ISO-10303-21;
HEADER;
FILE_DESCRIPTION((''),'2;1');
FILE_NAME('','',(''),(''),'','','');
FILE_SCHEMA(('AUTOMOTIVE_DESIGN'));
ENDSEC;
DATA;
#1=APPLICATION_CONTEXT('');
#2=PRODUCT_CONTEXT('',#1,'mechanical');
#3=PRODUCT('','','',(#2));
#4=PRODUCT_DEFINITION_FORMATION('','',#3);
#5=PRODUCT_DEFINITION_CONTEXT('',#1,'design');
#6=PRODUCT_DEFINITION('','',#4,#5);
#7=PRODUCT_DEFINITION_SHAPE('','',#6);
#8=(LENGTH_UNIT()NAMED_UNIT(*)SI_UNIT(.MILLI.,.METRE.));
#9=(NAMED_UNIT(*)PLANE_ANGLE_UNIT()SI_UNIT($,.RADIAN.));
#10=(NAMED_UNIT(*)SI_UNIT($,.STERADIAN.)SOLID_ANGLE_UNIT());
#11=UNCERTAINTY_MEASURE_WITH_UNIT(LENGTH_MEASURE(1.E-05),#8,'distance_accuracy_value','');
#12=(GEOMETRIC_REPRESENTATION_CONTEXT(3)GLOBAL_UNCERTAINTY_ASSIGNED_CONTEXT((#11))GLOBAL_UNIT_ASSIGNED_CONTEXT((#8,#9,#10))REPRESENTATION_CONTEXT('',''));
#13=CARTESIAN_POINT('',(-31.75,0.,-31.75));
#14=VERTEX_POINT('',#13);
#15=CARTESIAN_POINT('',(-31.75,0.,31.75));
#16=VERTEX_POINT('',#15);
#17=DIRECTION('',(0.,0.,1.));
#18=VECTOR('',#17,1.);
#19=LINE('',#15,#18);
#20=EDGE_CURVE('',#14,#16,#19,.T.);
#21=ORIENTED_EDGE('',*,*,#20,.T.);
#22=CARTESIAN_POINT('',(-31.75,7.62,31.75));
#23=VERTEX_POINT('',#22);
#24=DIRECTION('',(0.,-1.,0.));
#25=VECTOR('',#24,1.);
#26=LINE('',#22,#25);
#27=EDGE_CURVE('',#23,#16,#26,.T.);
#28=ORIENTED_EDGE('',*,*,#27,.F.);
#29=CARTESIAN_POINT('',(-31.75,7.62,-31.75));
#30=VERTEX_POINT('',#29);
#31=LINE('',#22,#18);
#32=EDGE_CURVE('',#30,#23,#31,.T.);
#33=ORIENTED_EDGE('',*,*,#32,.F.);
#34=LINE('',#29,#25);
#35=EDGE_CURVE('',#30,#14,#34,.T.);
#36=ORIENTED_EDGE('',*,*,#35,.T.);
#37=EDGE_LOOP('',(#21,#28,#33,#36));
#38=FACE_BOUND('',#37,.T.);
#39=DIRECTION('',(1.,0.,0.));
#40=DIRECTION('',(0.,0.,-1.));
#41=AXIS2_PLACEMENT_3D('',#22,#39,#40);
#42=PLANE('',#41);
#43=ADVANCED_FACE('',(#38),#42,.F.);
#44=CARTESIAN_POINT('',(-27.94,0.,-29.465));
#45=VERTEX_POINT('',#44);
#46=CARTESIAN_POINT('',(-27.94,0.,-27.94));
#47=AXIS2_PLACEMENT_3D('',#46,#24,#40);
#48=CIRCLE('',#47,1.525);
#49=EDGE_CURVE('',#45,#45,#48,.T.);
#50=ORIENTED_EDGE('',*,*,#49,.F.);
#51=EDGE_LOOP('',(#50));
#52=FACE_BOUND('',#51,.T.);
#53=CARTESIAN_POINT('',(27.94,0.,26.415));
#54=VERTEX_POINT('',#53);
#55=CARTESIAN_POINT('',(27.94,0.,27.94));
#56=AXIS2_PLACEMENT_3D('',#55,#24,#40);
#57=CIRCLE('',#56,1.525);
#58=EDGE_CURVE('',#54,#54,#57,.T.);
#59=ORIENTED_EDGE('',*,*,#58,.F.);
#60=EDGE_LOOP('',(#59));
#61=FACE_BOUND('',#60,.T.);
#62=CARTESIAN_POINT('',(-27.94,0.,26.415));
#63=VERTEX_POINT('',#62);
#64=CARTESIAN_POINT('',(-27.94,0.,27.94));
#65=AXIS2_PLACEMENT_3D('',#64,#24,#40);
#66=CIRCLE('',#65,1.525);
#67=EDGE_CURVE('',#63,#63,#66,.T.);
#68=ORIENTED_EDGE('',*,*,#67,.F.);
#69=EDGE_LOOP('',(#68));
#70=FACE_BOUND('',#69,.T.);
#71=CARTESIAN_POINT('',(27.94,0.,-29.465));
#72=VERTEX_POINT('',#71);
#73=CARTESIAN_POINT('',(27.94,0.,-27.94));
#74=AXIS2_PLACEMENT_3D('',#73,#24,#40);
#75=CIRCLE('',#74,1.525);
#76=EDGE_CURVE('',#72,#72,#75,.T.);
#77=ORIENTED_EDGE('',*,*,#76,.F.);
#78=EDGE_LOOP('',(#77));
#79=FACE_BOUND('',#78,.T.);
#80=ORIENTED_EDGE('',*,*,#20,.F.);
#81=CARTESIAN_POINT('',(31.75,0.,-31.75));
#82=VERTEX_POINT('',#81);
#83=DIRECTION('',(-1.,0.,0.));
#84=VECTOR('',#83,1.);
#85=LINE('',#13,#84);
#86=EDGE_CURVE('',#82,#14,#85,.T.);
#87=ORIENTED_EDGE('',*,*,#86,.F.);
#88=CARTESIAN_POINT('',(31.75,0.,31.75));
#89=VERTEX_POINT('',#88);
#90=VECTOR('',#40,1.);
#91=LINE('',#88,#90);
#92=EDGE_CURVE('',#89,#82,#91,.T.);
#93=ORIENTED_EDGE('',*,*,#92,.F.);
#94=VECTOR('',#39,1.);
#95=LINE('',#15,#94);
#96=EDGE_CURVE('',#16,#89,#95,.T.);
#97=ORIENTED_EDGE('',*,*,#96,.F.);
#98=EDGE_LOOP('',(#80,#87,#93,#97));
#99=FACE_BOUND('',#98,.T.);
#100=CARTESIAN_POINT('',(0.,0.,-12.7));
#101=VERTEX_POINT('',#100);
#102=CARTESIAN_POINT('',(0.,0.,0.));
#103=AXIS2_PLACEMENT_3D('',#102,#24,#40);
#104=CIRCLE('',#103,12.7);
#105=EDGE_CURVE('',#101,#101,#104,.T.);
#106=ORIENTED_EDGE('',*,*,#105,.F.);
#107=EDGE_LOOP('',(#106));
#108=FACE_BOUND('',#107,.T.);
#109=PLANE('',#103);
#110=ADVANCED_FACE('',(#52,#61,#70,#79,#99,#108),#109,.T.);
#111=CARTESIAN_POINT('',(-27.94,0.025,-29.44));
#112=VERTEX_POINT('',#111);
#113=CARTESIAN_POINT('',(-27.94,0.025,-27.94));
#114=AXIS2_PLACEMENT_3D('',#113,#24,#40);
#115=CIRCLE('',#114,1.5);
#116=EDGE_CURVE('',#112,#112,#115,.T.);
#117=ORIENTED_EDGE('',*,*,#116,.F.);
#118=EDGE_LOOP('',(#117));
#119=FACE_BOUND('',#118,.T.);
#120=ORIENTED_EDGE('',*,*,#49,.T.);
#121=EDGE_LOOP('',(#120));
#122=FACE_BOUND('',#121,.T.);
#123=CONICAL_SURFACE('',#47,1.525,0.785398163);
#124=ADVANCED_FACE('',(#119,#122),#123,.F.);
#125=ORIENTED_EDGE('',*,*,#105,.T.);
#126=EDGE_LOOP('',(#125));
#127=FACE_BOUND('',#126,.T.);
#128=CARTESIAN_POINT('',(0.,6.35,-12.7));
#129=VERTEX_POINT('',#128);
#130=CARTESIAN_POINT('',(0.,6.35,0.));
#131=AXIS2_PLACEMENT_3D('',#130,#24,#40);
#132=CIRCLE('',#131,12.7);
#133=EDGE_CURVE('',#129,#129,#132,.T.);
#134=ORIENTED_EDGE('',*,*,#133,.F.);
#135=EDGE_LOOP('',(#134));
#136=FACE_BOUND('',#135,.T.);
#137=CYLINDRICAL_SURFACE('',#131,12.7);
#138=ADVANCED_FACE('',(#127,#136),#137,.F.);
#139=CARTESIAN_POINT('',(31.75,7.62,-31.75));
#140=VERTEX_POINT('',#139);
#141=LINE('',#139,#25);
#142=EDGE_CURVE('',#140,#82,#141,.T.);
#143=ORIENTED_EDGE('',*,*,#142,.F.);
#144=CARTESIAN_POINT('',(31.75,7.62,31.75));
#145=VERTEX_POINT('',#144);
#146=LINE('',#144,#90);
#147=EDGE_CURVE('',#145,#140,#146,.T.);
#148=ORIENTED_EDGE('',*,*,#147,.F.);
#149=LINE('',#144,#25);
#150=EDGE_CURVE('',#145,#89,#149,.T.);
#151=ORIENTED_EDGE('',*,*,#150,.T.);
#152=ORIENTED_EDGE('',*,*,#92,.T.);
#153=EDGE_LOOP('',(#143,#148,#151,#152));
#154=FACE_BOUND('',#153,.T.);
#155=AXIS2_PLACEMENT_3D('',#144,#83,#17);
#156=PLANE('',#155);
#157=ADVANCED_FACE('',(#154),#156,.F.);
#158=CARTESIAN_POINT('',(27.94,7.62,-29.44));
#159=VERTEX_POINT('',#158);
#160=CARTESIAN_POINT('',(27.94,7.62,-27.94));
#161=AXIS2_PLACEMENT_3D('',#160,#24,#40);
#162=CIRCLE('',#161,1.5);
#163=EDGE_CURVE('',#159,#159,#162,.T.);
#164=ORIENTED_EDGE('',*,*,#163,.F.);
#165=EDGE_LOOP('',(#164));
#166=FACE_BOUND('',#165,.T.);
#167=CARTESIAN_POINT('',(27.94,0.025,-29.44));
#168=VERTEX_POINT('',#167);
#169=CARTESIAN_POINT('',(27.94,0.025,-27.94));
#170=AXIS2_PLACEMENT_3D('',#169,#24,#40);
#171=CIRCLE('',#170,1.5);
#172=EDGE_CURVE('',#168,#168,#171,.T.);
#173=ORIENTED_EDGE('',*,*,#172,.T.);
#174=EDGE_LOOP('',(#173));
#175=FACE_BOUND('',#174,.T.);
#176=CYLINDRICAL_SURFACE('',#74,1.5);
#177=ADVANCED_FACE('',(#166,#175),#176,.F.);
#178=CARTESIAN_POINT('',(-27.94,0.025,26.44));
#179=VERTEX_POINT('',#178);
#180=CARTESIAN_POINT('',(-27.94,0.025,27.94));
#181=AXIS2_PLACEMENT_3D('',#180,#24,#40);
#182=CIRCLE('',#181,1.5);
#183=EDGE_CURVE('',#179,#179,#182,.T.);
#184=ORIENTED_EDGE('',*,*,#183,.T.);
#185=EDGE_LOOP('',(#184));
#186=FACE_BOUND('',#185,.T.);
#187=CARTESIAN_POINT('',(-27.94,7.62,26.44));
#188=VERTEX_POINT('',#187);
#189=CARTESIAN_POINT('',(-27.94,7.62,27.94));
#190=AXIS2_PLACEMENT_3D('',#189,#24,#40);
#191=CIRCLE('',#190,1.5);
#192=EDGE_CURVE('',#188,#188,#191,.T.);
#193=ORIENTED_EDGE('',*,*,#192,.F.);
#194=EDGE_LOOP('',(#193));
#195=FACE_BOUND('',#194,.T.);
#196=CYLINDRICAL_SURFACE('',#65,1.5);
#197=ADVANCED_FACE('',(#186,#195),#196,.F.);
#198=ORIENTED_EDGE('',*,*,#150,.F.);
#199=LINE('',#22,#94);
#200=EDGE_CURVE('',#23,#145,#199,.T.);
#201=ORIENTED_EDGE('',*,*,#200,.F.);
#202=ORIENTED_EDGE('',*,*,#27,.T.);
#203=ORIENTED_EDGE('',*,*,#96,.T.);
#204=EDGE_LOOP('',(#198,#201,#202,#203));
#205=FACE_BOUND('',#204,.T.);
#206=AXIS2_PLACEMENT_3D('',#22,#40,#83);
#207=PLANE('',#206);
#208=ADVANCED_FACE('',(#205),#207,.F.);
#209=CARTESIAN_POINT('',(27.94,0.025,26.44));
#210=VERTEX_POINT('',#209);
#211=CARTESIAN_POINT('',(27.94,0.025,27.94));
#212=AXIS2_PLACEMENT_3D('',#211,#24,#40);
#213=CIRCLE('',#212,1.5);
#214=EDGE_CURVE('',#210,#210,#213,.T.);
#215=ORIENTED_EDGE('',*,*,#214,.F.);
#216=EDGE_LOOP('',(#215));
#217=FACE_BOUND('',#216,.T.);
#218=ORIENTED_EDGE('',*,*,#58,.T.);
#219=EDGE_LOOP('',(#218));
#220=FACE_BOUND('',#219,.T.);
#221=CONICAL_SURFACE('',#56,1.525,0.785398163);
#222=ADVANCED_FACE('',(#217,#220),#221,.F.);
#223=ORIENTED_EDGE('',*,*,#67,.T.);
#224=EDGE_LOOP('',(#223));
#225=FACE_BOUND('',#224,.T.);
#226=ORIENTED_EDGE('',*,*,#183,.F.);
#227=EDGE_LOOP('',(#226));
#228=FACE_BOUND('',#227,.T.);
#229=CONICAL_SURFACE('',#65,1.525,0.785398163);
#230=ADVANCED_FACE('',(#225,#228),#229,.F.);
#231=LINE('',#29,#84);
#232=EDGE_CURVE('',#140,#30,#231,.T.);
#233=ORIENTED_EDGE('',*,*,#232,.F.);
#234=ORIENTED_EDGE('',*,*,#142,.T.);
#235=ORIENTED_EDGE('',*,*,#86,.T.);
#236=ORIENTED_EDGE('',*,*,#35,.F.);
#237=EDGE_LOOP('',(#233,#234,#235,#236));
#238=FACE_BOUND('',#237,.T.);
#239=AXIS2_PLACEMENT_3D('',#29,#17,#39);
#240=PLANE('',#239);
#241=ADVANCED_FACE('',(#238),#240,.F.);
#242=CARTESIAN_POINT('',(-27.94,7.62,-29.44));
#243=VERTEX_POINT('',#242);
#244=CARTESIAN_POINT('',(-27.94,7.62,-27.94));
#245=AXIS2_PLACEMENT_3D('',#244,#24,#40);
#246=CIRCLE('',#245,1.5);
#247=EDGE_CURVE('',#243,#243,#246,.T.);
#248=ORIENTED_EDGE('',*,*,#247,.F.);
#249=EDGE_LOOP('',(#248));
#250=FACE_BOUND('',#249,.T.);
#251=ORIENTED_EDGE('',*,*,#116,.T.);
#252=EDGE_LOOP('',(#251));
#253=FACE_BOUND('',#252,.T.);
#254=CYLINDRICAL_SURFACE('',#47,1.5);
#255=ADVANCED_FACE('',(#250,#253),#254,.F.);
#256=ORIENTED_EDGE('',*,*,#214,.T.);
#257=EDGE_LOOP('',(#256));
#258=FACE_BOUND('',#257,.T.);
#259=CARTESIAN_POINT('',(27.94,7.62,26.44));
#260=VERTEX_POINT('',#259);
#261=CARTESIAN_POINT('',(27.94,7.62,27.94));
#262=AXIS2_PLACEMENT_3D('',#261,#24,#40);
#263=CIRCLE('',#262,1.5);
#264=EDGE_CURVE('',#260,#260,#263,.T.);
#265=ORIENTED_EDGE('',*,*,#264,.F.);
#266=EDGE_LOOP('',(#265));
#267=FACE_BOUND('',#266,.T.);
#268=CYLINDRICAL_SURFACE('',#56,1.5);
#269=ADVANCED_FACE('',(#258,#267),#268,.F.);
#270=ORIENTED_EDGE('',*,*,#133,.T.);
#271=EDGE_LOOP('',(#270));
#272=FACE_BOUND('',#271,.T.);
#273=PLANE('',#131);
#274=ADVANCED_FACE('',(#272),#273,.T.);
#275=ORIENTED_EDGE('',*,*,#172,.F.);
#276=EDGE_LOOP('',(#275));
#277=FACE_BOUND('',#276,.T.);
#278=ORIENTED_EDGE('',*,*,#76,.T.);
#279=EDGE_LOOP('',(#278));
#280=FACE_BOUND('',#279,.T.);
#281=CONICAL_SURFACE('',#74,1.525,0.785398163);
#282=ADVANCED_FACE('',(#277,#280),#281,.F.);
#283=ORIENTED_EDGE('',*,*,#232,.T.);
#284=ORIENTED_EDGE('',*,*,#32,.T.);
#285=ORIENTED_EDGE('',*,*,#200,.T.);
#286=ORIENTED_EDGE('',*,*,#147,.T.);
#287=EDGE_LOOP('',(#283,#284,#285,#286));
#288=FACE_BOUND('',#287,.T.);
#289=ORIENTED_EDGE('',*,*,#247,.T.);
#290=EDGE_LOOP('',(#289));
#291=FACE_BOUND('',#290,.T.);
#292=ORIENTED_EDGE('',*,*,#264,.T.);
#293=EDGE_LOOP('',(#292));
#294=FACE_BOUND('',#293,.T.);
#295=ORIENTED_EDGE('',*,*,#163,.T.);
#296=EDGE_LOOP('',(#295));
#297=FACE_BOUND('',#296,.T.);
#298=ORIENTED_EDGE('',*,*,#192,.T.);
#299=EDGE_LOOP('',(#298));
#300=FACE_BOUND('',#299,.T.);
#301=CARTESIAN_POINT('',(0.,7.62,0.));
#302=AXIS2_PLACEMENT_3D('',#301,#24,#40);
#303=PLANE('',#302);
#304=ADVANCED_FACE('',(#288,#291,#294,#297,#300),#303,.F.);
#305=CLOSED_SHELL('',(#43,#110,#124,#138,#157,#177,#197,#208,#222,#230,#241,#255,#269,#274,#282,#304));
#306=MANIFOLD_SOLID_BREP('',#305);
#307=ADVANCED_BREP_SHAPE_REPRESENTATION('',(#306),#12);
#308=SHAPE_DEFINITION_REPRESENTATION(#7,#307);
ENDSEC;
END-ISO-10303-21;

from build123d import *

# Parameters (mm, degrees)
SKETCH1_W                       = 63.5
SKETCH1_H                       = 63.5
BOSS_EXTRUDE1_DEPTH             = 7.62
F_3_0MM_DOWEL_HOLE1_D           = 3
F_3_0MM_DOWEL_HOLE1_DEPTH       = 7.62
F_3_0MM_DOWEL_HOLE1_CSINK_D     = 3.05
F_3_0MM_DOWEL_HOLE1_CSINK_ANGLE = 90
LPATTERN1_COUNT                 = 2
LPATTERN1_PITCH                 = 55.88
LPATTERN1_COUNT_DIR2            = 2
LPATTERN1_PITCH_DIR2            = 55.88
SKETCH6_R                       = 12.7
CUT_EXTRUDE1_DEPTH              = 6.35


with BuildPart() as part:
    # Sketch1 → Boss-Extrude1 (new body)
    with BuildSketch(Plane(origin=(0, 0, 0), x_dir=(1, 0, 0), z_dir=(0, 1, 0))):
        Rectangle(SKETCH1_W, SKETCH1_H)
    extrude(amount=BOSS_EXTRUDE1_DEPTH)

    # Ø3.0mm Dowel Hole1
    with Locations(Plane(origin=(0, 0, 0), x_dir=(-1, 0, 0), z_dir=(0, -1, 0))):
        with Locations((-27.94, -27.94)):
            f_3_0mm_dowel_hole1 = CounterSinkHole(F_3_0MM_DOWEL_HOLE1_D / 2, F_3_0MM_DOWEL_HOLE1_CSINK_D / 2, depth=F_3_0MM_DOWEL_HOLE1_DEPTH, counter_sink_angle=F_3_0MM_DOWEL_HOLE1_CSINK_ANGLE)

    # LPattern1: 3.0mm Dowel Hole1 2 × 2
    with Locations(*[(-j * LPATTERN1_PITCH_DIR2, 0, -i * LPATTERN1_PITCH) for i in range(LPATTERN1_COUNT) for j in range(LPATTERN1_COUNT_DIR2) if (i, j) != (0, 0)]):
        add(f_3_0mm_dowel_hole1, mode=Mode.SUBTRACT)

    # Sketch6 → Cut-Extrude1 (cut)
    with BuildSketch(Plane.XZ):
        Circle(SKETCH6_R)
    extrude(amount=-CUT_EXTRUDE1_DEPTH, mode=Mode.SUBTRACT)


solid = part.part
